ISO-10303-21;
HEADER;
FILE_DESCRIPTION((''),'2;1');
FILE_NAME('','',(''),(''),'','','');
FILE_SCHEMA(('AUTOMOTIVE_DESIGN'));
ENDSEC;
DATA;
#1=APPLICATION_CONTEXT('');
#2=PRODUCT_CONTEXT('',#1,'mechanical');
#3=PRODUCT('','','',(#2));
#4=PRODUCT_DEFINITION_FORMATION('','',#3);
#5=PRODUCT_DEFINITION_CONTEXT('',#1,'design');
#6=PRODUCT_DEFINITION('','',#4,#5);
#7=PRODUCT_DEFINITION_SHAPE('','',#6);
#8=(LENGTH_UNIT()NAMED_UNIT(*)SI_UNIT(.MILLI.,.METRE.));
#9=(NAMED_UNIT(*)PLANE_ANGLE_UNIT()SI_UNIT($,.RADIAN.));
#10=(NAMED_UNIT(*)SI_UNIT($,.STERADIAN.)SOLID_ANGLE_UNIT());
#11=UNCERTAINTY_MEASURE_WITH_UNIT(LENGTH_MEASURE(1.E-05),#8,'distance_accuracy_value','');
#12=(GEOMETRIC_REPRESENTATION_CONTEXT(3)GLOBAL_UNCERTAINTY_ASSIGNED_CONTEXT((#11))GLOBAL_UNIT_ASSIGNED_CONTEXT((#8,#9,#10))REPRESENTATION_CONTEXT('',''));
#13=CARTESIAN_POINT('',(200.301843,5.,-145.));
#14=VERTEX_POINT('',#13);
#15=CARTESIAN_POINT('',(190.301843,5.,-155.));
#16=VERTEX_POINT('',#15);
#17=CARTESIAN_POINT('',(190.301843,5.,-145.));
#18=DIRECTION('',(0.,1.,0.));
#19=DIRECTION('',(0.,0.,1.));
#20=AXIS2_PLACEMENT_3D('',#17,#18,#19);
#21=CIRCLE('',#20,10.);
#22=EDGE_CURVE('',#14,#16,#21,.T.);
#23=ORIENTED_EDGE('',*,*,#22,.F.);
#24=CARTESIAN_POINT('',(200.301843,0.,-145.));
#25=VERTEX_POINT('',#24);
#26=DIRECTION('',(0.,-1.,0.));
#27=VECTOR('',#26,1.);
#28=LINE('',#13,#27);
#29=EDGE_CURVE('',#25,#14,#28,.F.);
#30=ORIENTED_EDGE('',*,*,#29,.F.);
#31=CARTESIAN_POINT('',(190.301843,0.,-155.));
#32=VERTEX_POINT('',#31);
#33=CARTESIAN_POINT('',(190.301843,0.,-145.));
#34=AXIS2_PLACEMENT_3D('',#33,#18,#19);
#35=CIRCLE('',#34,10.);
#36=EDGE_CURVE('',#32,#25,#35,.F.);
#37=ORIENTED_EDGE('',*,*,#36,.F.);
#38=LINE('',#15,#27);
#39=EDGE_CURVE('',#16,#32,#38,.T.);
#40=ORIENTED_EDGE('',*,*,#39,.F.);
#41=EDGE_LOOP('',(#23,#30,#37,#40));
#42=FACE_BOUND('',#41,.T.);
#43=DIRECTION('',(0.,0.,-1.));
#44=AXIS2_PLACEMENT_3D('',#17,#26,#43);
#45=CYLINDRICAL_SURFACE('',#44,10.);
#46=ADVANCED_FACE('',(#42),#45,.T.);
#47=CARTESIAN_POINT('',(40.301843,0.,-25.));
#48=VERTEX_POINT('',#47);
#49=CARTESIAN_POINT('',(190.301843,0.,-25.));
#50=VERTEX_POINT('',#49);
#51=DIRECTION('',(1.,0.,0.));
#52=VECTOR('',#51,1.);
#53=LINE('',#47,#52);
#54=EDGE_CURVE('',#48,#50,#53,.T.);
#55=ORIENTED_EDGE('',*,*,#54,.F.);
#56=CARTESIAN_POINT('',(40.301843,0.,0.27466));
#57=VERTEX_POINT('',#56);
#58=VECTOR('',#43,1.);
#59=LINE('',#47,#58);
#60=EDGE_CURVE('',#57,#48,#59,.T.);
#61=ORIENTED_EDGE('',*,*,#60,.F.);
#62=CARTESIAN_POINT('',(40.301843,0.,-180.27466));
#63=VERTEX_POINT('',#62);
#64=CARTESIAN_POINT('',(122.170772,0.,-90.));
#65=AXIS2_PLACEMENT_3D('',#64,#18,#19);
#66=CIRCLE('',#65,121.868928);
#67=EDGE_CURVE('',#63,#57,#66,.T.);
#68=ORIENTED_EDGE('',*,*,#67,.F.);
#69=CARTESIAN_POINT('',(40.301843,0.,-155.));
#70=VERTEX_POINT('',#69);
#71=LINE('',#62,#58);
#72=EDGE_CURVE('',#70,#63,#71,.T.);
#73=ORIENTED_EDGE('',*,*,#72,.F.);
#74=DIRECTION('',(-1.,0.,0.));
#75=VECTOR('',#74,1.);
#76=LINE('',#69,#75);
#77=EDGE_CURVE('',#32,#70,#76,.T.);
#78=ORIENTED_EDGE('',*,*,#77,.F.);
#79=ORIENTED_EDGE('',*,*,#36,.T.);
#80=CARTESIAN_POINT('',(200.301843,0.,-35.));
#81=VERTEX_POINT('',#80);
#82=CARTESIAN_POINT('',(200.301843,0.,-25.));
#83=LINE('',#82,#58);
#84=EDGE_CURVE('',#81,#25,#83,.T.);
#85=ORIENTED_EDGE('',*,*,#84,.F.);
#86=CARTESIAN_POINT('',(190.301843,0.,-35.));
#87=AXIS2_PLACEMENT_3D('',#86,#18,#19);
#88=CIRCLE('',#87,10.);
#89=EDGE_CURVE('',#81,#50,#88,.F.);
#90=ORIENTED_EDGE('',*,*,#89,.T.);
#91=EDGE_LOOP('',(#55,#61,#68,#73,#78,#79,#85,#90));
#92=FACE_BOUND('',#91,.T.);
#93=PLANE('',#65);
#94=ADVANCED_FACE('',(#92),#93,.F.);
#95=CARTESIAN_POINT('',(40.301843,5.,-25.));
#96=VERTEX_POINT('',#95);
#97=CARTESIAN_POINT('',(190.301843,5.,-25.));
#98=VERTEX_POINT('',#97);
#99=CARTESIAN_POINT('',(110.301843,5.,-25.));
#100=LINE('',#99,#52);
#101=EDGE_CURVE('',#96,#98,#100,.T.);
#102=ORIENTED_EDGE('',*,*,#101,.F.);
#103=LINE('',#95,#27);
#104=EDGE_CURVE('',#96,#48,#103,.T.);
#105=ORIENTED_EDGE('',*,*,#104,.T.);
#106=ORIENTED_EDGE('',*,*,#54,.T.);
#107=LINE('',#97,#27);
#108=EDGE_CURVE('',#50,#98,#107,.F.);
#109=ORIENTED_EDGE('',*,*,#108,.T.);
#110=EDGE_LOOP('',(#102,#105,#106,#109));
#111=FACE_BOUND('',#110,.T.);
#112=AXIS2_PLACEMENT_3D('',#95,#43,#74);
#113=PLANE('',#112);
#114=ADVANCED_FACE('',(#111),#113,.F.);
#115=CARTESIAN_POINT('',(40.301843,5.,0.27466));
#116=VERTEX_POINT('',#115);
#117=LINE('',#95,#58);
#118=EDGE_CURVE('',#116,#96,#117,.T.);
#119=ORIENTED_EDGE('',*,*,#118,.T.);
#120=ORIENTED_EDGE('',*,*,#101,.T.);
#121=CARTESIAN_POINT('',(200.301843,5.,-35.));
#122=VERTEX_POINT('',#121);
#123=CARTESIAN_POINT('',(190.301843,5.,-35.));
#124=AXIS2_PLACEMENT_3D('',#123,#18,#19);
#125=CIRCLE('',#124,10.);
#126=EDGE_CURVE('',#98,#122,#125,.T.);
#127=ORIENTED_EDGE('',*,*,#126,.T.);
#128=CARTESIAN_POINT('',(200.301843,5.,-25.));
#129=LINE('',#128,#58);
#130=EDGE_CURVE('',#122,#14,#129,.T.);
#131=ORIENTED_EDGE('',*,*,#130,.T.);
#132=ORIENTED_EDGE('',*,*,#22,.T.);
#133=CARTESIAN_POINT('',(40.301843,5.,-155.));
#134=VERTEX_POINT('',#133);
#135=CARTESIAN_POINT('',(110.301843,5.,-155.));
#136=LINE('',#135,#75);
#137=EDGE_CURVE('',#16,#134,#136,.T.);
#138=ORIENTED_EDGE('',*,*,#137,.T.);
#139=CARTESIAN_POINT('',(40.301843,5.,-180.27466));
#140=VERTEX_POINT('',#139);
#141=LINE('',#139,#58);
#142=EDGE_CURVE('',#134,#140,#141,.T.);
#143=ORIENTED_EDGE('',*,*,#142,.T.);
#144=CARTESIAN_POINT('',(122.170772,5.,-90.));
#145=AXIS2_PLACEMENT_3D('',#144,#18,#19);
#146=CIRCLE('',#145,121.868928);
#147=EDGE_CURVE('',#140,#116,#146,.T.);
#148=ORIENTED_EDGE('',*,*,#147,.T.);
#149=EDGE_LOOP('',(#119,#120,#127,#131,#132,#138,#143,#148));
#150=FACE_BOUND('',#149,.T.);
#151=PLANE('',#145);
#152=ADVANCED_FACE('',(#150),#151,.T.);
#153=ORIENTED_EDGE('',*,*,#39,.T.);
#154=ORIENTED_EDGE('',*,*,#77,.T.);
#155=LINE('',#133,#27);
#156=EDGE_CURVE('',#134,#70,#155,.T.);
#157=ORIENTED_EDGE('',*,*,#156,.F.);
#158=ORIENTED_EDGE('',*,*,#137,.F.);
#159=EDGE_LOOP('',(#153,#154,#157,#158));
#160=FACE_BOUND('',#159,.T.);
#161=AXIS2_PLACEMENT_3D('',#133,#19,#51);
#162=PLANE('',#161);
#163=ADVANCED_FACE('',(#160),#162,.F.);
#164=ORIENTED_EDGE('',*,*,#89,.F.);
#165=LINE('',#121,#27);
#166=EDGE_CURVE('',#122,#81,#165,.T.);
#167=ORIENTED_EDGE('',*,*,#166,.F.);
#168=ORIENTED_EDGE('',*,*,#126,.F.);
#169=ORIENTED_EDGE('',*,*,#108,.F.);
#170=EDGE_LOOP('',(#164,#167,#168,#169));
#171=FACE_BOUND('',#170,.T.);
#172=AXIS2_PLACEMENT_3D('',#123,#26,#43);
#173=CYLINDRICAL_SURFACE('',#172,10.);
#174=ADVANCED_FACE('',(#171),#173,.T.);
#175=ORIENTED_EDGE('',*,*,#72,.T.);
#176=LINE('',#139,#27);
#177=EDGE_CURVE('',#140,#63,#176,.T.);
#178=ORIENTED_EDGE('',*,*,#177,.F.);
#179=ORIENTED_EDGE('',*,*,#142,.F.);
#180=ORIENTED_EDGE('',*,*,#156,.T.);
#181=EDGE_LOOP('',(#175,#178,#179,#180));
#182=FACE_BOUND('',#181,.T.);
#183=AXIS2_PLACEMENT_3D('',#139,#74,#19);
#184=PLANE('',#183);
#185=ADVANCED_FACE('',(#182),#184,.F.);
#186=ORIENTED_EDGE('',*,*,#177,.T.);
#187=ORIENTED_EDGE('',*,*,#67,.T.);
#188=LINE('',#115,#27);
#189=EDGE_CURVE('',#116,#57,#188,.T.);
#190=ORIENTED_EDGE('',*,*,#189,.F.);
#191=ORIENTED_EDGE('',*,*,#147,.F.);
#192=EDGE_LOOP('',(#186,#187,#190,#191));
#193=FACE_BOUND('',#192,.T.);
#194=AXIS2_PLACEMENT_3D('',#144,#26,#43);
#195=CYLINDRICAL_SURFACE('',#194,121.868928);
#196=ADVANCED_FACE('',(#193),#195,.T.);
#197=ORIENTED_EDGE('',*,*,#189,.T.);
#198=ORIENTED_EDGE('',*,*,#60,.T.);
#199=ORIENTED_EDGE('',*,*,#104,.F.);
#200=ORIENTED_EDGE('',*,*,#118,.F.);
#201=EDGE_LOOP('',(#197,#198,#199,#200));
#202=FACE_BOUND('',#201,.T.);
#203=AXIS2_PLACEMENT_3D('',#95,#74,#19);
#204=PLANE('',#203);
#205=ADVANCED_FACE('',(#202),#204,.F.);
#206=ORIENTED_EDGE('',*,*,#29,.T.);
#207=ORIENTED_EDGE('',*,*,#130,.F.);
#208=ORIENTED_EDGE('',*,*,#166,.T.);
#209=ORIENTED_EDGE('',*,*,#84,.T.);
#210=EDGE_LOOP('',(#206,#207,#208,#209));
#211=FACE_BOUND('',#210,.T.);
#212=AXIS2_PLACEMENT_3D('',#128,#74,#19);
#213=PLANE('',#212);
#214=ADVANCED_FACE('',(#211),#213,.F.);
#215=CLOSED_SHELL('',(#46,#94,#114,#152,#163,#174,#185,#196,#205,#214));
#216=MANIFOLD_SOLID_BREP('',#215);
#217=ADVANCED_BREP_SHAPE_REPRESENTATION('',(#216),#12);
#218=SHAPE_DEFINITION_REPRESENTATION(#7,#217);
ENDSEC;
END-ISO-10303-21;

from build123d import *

# Parameters (mm, degrees)
BOSS_EXTRUDE1_DEPTH = 5
FILLET1_R           = 10


with BuildPart() as part:
    # Sketch1 → Boss-Extrude1 (new body)
    with BuildSketch(Plane(origin=(0, 0, 0), x_dir=(1, 0, 0), z_dir=(0, 1, 0))):
        with BuildLine():
            Line((40.301843205, 25), (110.301843205, 25))
            Line((110.301843205, 25), (200.301843205, 25))
            Line((200.301843205, 25), (200.301843205, 155))
            Line((200.301843205, 155), (110.301843205, 155))
            Line((110.301843205, 155), (40.301843205, 155))
            Line((40.301843205, 155), (40.301843205, 180.27466017))
            ThreePointArc((40.301843205, 180.27466017), (0.301843205, 90), (40.301843205, -0.27466017))
            Line((40.301843205, -0.27466017), (40.301843205, 25))
        make_face()
    extrude(amount=BOSS_EXTRUDE1_DEPTH)

    # Fillet1
    fillet1_edges = [part.edges().sort_by_distance(p)[0] for p in [
        (200.301843205, 2.5, -155),
        (200.301843205, 2.5, -25),
    ]]
    fillet(fillet1_edges, radius=FILLET1_R)


solid = part.part
